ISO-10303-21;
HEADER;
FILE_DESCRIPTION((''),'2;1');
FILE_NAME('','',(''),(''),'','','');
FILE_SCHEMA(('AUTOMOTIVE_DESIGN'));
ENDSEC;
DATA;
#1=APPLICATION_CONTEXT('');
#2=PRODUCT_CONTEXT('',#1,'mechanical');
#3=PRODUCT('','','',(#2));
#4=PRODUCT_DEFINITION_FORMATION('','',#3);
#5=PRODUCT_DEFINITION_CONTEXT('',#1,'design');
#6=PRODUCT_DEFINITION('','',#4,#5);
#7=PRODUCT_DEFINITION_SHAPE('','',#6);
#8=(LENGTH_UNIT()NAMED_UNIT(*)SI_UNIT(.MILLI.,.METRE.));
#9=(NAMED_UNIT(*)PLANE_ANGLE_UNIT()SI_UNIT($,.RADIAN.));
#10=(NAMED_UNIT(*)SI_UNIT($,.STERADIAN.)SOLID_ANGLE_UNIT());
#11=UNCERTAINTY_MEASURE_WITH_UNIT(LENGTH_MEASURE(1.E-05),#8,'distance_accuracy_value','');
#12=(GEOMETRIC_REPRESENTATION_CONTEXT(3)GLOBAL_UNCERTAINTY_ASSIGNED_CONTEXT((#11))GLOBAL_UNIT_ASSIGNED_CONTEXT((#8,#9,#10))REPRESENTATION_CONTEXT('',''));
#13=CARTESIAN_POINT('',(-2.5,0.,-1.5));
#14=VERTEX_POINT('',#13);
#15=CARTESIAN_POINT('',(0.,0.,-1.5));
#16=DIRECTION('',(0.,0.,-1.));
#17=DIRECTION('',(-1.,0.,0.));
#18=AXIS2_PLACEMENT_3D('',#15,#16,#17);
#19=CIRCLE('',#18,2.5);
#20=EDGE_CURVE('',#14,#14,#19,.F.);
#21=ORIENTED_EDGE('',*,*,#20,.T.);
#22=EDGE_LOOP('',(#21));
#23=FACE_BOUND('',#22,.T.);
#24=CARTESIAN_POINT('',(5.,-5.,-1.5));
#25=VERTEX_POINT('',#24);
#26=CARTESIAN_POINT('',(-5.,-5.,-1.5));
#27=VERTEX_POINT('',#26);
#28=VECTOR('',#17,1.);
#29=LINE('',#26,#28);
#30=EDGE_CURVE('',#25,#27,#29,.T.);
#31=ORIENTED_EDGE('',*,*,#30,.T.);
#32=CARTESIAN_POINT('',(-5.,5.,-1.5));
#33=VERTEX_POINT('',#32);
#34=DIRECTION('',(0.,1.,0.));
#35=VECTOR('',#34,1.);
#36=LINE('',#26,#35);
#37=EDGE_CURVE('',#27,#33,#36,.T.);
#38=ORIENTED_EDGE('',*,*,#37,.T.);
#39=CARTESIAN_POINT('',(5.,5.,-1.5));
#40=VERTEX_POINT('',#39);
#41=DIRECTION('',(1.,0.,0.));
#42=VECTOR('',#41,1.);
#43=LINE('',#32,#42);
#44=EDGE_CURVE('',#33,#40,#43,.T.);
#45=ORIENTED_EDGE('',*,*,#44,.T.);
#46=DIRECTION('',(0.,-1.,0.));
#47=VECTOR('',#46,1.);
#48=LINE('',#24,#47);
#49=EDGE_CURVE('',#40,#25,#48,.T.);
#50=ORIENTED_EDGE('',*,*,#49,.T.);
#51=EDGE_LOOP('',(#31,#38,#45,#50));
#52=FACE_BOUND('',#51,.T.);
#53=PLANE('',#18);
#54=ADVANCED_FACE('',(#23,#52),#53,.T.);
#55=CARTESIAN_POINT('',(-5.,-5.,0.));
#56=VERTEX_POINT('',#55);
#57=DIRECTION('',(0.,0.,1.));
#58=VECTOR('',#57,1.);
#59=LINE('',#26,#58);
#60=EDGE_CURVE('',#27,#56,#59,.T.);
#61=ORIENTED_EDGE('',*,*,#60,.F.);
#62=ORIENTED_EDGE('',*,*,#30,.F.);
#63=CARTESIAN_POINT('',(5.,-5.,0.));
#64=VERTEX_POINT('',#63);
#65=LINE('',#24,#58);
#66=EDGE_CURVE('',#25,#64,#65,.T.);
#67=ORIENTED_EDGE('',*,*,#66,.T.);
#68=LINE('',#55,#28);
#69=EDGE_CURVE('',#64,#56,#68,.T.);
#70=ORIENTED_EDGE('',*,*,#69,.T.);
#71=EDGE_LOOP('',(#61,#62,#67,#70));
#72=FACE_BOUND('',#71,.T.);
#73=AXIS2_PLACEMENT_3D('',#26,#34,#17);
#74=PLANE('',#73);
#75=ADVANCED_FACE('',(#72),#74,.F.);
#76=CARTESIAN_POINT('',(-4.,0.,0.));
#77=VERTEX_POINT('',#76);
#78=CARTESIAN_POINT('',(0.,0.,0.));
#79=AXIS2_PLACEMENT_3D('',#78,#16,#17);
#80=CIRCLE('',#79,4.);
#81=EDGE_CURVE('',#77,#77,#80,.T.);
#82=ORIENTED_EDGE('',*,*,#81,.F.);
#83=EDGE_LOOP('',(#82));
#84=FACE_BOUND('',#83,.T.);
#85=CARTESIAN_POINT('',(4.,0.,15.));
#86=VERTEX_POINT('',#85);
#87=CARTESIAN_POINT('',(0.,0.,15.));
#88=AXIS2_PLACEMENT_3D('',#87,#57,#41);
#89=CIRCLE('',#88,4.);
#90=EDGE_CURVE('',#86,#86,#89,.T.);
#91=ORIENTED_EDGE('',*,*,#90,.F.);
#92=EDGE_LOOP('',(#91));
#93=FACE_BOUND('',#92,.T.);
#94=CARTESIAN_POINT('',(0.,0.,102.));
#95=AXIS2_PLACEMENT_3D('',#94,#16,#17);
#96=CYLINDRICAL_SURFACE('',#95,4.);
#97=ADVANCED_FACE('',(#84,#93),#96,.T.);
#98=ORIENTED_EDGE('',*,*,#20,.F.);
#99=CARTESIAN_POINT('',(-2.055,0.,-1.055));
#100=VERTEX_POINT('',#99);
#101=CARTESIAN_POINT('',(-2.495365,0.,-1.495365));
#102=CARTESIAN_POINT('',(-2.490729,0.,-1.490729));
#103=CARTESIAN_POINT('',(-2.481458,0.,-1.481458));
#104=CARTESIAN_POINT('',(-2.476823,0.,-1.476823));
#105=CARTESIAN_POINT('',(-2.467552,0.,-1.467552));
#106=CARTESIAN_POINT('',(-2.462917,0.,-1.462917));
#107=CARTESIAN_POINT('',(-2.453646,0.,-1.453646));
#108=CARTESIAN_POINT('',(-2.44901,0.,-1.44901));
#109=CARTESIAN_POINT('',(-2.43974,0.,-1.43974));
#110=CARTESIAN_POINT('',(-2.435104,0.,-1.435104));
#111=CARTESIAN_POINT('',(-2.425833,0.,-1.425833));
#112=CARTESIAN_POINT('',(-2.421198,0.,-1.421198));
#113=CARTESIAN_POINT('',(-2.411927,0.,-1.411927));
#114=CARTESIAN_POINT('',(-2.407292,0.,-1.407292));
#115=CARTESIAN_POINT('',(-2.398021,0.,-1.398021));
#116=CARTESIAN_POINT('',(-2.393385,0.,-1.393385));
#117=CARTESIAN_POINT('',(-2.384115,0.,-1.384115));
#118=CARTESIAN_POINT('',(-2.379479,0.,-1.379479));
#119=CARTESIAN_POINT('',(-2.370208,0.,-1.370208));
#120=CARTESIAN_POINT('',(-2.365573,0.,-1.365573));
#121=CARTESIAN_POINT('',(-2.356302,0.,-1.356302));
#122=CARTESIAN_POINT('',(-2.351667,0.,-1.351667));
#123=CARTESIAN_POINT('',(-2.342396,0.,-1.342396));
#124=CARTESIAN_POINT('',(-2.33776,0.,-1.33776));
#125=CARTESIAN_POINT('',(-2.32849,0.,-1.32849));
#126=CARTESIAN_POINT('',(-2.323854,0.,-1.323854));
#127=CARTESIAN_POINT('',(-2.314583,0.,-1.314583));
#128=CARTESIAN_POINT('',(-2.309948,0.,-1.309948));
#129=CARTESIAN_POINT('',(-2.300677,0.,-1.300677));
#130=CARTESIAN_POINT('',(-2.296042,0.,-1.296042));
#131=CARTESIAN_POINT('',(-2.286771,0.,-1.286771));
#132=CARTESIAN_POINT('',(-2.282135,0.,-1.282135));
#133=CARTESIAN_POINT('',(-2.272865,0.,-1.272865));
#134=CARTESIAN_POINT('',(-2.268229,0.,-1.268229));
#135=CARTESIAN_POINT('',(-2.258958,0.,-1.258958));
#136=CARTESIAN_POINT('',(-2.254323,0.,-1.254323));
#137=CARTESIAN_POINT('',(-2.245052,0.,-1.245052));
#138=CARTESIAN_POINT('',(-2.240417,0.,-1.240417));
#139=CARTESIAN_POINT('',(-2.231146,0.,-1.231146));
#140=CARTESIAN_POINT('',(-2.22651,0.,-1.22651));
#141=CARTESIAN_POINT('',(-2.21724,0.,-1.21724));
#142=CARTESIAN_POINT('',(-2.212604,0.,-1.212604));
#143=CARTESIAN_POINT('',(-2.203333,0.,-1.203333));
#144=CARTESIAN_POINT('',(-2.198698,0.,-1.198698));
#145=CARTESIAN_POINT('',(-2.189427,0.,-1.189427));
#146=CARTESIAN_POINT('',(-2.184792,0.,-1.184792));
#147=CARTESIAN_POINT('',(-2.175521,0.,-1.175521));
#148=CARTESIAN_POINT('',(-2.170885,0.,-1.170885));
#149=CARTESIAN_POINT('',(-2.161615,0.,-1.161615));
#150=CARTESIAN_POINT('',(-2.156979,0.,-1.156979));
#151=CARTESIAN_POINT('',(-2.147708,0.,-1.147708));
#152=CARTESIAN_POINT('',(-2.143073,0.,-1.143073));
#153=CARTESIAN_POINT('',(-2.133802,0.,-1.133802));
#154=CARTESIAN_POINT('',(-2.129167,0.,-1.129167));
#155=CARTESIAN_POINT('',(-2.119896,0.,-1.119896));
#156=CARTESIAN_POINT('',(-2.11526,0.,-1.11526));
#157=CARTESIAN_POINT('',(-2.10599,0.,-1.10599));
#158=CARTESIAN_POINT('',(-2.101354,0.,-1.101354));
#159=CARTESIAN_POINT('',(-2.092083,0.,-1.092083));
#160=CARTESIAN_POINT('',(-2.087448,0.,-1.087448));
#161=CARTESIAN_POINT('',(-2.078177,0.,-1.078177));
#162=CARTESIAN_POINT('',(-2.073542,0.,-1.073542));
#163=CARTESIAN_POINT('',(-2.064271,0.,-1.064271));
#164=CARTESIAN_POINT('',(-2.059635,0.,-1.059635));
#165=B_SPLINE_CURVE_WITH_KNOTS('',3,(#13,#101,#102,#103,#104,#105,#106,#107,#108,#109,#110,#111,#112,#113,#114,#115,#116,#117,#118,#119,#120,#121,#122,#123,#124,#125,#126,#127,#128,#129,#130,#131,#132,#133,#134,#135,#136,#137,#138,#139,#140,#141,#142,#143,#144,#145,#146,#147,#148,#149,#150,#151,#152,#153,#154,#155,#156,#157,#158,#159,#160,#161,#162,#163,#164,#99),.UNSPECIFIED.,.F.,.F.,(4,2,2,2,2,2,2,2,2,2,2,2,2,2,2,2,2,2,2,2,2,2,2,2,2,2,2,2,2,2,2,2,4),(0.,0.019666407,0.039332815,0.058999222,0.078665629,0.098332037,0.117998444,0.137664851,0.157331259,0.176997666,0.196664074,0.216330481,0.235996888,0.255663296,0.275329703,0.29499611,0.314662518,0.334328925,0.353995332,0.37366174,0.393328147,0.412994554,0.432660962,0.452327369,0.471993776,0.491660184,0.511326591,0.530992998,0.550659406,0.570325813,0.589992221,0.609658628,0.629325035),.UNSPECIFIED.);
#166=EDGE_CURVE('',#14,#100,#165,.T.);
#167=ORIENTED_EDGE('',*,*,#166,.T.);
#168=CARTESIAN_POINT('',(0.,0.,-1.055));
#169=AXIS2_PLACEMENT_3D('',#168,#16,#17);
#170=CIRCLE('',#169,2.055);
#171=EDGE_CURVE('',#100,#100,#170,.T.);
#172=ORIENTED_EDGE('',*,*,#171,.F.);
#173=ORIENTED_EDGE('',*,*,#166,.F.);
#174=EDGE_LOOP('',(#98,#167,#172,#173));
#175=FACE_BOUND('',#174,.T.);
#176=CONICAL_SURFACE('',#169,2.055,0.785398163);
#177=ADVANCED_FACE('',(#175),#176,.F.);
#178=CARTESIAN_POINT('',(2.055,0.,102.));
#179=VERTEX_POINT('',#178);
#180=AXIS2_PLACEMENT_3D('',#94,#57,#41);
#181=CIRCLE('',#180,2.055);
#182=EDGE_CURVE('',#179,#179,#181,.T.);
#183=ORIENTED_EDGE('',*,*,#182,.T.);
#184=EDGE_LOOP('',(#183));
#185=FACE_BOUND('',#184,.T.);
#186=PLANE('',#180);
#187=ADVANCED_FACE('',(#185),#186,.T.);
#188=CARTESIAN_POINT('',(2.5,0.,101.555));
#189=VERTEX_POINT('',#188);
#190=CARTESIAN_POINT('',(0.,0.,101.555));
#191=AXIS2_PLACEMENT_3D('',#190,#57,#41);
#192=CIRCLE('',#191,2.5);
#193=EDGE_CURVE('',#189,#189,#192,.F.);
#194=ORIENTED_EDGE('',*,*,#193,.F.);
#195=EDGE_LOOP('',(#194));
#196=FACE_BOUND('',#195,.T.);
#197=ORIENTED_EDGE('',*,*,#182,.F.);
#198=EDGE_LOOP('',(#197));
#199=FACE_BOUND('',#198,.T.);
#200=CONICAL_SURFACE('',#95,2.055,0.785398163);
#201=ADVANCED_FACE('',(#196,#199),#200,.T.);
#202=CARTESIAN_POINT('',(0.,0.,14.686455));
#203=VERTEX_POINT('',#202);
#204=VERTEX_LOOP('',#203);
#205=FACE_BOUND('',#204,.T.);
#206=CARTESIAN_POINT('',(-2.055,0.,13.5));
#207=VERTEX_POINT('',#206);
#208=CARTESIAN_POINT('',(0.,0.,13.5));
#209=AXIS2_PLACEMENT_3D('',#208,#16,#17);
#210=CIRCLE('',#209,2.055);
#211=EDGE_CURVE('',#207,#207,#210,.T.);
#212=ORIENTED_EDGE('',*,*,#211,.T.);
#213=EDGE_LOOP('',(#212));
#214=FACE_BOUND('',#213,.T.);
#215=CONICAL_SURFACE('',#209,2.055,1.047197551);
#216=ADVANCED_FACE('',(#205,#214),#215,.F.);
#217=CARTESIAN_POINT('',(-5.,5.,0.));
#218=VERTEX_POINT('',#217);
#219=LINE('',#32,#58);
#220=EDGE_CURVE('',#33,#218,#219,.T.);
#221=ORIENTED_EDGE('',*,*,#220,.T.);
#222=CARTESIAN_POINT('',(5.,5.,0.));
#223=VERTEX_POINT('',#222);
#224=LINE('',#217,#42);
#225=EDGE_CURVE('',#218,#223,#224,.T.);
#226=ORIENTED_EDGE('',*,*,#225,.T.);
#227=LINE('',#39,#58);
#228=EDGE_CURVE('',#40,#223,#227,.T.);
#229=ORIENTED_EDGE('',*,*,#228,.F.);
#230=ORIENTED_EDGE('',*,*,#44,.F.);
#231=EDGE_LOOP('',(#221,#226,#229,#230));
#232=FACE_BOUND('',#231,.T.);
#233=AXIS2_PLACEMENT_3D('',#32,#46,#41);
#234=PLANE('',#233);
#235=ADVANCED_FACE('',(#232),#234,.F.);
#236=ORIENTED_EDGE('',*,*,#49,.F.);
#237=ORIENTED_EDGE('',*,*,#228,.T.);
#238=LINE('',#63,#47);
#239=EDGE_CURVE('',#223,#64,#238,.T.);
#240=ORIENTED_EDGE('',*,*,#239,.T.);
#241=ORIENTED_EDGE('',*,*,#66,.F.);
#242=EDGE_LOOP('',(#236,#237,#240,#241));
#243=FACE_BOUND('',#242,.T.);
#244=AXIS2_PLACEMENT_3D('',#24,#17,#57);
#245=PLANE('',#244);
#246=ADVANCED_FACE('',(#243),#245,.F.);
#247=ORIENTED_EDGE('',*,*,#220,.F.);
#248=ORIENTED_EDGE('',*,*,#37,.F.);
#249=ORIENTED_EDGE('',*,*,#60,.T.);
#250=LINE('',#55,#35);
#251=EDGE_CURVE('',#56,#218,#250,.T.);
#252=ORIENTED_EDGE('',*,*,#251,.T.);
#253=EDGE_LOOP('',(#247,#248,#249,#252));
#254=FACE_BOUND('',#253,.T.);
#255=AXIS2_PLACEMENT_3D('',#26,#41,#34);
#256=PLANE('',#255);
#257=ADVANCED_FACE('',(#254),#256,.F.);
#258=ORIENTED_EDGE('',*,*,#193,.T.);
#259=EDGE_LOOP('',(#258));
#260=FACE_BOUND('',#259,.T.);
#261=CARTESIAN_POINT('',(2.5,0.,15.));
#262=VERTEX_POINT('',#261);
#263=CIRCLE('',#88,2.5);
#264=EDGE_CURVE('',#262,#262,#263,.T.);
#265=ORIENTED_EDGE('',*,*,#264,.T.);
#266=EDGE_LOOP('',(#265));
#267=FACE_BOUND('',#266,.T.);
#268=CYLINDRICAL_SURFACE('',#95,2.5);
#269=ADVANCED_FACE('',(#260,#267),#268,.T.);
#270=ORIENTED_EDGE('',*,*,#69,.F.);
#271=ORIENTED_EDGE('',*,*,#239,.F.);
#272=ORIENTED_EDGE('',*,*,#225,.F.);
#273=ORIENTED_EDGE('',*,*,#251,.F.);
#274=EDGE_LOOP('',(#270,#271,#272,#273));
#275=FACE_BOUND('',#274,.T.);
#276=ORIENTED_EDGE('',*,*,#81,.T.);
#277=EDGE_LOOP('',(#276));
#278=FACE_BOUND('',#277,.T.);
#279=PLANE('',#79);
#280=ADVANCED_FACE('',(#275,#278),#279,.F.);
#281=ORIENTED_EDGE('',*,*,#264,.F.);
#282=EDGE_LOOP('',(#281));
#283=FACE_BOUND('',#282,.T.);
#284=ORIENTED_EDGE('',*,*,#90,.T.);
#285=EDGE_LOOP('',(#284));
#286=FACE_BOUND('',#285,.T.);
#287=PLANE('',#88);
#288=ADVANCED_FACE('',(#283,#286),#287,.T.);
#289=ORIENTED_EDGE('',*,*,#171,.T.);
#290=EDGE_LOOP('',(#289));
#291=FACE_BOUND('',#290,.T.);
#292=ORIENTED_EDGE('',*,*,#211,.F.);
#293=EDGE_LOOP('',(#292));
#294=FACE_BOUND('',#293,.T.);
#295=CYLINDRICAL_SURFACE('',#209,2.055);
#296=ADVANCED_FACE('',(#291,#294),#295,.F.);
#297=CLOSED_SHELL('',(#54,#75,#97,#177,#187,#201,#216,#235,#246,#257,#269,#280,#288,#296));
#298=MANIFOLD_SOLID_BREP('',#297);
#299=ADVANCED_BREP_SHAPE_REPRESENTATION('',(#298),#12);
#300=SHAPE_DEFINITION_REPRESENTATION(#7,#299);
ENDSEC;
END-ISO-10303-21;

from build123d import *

# Parameters (mm, degrees)
SKETCH_1_R          = 4
EXTRUDE_1_DEPTH     = 102
SKETCH_2_W          = 10
SKETCH_2_H          = 10
EXTRUDE_2_DEPTH     = 1.5
SKETCH_6_R          = 2.055
CUT_EXTRUDE_1_DEPTH = 15
CHAMFER_1_SIZE      = 0.445
CUT_EXTRUDE_START   = 15
SKETCH_9_R          = 10
SKETCH_9_R_2        = 2.5
CUT_EXTRUDE_3_DEPTH = 88.244804269
CHAMFER1_SIZE       = 0.445


with BuildPart() as part:
    # Эскиз1 → Бобышка-Вытянуть1 (new body)
    with BuildSketch(Plane.XY):
        Circle(SKETCH_1_R)
    extrude(amount=EXTRUDE_1_DEPTH)

    # Эскиз2 → Бобышка-Вытянуть2 (add)
    with BuildSketch(Plane(origin=(0, 0, 0), x_dir=(-1, 0, 0), z_dir=(0, 0, -1))):
        Rectangle(SKETCH_2_W, SKETCH_2_H)
    extrude(amount=EXTRUDE_2_DEPTH)

    # Эскиз6 → Вырез-Вытянуть1 (cut)
    with BuildSketch(Plane(origin=(0, 0, -1.5), x_dir=(-1, 0, 0), z_dir=(0, 0, -1))):
        Circle(SKETCH_6_R)
    extrude(amount=-CUT_EXTRUDE_1_DEPTH, mode=Mode.SUBTRACT)

    # Вырез-Вытянуть2 cone 1 section (through the dimple's axis) → Вырез-Вытянуть2 (revolve, cut)
    with BuildSketch(Plane(origin=(0, 0, 13.5), x_dir=(0, 1, 0), z_dir=(1, 0, 0))):
        Polygon((0, 0), (2.055, 0), (0, 1.186454803), align=None)
    revolve(axis=Axis((0, 0, 13.5), (0, 0, 1)), mode=Mode.SUBTRACT)

    # Фаска1
    chamfer_1_edges = [part.edges().sort_by_distance(p)[0] for p in [
        (2.055, 0, -1.5),
    ]]
    chamfer(chamfer_1_edges, length=CHAMFER_1_SIZE)

    # Эскиз9 → Вырез-Вытянуть3 (cut, through all)
    with BuildSketch(Plane.XY.offset(CUT_EXTRUDE_START)):
        Circle(SKETCH_9_R)
        Circle(SKETCH_9_R_2, mode=Mode.SUBTRACT)
    extrude(amount=CUT_EXTRUDE_3_DEPTH, mode=Mode.SUBTRACT)

    # Chamfer1
    chamfer1_edges = [part.edges().sort_by_distance(p)[0] for p in [
        (-2.5, 0, 102),
    ]]
    chamfer(chamfer1_edges, length=CHAMFER1_SIZE)


solid = part.part
